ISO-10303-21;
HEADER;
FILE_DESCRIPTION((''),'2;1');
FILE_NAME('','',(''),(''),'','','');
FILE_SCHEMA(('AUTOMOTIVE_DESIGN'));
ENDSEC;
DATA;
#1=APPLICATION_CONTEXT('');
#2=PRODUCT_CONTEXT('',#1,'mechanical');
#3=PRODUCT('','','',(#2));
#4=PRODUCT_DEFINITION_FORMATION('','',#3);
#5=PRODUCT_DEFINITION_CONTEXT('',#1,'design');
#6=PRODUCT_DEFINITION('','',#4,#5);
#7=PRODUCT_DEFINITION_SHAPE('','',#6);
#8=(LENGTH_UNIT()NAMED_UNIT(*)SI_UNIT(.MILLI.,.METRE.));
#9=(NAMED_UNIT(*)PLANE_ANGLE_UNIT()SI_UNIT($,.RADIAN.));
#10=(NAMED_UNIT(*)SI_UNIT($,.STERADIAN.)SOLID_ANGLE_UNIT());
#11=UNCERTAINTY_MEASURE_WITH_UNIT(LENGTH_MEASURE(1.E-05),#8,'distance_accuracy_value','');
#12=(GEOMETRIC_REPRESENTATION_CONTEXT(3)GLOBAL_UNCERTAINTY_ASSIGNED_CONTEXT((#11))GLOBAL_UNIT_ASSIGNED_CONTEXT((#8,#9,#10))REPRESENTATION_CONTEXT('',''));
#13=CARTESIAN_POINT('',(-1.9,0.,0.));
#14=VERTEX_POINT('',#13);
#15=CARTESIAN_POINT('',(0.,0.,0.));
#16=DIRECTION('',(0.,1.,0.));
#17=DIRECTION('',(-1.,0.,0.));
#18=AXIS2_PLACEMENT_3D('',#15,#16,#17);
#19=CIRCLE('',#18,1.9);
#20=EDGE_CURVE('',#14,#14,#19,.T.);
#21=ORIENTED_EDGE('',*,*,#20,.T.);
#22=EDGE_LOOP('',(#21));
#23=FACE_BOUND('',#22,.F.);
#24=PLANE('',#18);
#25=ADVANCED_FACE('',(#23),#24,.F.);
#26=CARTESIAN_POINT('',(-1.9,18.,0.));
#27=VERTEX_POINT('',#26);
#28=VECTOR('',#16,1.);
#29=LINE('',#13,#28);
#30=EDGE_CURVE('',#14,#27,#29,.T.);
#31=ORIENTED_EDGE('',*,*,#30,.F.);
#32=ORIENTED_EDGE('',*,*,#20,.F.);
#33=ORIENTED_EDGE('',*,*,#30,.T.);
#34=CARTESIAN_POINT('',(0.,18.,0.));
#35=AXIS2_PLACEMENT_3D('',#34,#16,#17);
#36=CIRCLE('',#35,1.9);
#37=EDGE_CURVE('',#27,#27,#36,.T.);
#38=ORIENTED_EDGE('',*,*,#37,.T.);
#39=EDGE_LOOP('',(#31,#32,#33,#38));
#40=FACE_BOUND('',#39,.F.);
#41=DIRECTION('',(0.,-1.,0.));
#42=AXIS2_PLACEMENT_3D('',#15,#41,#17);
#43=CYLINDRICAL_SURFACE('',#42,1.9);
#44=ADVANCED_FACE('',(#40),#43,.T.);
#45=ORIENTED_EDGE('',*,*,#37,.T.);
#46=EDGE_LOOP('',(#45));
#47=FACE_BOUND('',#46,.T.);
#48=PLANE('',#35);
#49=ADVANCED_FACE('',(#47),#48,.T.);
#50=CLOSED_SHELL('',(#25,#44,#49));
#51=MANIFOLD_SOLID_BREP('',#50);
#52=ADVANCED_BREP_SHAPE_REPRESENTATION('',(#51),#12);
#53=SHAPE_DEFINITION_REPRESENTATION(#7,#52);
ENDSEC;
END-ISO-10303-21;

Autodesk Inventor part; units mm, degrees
ref_plane "YZ Plane" through (0, 0, 0) normal (1, 0, 0) x (0, 1, 0)
ref_plane "XZ Plane" through (0, 0, 0) normal (0, 1, 0) x (-1, 0, 0)
ref_plane "XY Plane" through (0, 0, 0) normal (0, 0, 1) x (1, 0, 0)
sketch "Sketch1" plane through (0, 0, 0) normal (0, 1, 0) x (-1, 0, 0)
  circle A0 centre (0, 0) radius 1.9
  dimension "d0" = 3.8
extrude "Extrusion1" add sketch "Sketch1" along normal blind 18
properties part number "indexer"
